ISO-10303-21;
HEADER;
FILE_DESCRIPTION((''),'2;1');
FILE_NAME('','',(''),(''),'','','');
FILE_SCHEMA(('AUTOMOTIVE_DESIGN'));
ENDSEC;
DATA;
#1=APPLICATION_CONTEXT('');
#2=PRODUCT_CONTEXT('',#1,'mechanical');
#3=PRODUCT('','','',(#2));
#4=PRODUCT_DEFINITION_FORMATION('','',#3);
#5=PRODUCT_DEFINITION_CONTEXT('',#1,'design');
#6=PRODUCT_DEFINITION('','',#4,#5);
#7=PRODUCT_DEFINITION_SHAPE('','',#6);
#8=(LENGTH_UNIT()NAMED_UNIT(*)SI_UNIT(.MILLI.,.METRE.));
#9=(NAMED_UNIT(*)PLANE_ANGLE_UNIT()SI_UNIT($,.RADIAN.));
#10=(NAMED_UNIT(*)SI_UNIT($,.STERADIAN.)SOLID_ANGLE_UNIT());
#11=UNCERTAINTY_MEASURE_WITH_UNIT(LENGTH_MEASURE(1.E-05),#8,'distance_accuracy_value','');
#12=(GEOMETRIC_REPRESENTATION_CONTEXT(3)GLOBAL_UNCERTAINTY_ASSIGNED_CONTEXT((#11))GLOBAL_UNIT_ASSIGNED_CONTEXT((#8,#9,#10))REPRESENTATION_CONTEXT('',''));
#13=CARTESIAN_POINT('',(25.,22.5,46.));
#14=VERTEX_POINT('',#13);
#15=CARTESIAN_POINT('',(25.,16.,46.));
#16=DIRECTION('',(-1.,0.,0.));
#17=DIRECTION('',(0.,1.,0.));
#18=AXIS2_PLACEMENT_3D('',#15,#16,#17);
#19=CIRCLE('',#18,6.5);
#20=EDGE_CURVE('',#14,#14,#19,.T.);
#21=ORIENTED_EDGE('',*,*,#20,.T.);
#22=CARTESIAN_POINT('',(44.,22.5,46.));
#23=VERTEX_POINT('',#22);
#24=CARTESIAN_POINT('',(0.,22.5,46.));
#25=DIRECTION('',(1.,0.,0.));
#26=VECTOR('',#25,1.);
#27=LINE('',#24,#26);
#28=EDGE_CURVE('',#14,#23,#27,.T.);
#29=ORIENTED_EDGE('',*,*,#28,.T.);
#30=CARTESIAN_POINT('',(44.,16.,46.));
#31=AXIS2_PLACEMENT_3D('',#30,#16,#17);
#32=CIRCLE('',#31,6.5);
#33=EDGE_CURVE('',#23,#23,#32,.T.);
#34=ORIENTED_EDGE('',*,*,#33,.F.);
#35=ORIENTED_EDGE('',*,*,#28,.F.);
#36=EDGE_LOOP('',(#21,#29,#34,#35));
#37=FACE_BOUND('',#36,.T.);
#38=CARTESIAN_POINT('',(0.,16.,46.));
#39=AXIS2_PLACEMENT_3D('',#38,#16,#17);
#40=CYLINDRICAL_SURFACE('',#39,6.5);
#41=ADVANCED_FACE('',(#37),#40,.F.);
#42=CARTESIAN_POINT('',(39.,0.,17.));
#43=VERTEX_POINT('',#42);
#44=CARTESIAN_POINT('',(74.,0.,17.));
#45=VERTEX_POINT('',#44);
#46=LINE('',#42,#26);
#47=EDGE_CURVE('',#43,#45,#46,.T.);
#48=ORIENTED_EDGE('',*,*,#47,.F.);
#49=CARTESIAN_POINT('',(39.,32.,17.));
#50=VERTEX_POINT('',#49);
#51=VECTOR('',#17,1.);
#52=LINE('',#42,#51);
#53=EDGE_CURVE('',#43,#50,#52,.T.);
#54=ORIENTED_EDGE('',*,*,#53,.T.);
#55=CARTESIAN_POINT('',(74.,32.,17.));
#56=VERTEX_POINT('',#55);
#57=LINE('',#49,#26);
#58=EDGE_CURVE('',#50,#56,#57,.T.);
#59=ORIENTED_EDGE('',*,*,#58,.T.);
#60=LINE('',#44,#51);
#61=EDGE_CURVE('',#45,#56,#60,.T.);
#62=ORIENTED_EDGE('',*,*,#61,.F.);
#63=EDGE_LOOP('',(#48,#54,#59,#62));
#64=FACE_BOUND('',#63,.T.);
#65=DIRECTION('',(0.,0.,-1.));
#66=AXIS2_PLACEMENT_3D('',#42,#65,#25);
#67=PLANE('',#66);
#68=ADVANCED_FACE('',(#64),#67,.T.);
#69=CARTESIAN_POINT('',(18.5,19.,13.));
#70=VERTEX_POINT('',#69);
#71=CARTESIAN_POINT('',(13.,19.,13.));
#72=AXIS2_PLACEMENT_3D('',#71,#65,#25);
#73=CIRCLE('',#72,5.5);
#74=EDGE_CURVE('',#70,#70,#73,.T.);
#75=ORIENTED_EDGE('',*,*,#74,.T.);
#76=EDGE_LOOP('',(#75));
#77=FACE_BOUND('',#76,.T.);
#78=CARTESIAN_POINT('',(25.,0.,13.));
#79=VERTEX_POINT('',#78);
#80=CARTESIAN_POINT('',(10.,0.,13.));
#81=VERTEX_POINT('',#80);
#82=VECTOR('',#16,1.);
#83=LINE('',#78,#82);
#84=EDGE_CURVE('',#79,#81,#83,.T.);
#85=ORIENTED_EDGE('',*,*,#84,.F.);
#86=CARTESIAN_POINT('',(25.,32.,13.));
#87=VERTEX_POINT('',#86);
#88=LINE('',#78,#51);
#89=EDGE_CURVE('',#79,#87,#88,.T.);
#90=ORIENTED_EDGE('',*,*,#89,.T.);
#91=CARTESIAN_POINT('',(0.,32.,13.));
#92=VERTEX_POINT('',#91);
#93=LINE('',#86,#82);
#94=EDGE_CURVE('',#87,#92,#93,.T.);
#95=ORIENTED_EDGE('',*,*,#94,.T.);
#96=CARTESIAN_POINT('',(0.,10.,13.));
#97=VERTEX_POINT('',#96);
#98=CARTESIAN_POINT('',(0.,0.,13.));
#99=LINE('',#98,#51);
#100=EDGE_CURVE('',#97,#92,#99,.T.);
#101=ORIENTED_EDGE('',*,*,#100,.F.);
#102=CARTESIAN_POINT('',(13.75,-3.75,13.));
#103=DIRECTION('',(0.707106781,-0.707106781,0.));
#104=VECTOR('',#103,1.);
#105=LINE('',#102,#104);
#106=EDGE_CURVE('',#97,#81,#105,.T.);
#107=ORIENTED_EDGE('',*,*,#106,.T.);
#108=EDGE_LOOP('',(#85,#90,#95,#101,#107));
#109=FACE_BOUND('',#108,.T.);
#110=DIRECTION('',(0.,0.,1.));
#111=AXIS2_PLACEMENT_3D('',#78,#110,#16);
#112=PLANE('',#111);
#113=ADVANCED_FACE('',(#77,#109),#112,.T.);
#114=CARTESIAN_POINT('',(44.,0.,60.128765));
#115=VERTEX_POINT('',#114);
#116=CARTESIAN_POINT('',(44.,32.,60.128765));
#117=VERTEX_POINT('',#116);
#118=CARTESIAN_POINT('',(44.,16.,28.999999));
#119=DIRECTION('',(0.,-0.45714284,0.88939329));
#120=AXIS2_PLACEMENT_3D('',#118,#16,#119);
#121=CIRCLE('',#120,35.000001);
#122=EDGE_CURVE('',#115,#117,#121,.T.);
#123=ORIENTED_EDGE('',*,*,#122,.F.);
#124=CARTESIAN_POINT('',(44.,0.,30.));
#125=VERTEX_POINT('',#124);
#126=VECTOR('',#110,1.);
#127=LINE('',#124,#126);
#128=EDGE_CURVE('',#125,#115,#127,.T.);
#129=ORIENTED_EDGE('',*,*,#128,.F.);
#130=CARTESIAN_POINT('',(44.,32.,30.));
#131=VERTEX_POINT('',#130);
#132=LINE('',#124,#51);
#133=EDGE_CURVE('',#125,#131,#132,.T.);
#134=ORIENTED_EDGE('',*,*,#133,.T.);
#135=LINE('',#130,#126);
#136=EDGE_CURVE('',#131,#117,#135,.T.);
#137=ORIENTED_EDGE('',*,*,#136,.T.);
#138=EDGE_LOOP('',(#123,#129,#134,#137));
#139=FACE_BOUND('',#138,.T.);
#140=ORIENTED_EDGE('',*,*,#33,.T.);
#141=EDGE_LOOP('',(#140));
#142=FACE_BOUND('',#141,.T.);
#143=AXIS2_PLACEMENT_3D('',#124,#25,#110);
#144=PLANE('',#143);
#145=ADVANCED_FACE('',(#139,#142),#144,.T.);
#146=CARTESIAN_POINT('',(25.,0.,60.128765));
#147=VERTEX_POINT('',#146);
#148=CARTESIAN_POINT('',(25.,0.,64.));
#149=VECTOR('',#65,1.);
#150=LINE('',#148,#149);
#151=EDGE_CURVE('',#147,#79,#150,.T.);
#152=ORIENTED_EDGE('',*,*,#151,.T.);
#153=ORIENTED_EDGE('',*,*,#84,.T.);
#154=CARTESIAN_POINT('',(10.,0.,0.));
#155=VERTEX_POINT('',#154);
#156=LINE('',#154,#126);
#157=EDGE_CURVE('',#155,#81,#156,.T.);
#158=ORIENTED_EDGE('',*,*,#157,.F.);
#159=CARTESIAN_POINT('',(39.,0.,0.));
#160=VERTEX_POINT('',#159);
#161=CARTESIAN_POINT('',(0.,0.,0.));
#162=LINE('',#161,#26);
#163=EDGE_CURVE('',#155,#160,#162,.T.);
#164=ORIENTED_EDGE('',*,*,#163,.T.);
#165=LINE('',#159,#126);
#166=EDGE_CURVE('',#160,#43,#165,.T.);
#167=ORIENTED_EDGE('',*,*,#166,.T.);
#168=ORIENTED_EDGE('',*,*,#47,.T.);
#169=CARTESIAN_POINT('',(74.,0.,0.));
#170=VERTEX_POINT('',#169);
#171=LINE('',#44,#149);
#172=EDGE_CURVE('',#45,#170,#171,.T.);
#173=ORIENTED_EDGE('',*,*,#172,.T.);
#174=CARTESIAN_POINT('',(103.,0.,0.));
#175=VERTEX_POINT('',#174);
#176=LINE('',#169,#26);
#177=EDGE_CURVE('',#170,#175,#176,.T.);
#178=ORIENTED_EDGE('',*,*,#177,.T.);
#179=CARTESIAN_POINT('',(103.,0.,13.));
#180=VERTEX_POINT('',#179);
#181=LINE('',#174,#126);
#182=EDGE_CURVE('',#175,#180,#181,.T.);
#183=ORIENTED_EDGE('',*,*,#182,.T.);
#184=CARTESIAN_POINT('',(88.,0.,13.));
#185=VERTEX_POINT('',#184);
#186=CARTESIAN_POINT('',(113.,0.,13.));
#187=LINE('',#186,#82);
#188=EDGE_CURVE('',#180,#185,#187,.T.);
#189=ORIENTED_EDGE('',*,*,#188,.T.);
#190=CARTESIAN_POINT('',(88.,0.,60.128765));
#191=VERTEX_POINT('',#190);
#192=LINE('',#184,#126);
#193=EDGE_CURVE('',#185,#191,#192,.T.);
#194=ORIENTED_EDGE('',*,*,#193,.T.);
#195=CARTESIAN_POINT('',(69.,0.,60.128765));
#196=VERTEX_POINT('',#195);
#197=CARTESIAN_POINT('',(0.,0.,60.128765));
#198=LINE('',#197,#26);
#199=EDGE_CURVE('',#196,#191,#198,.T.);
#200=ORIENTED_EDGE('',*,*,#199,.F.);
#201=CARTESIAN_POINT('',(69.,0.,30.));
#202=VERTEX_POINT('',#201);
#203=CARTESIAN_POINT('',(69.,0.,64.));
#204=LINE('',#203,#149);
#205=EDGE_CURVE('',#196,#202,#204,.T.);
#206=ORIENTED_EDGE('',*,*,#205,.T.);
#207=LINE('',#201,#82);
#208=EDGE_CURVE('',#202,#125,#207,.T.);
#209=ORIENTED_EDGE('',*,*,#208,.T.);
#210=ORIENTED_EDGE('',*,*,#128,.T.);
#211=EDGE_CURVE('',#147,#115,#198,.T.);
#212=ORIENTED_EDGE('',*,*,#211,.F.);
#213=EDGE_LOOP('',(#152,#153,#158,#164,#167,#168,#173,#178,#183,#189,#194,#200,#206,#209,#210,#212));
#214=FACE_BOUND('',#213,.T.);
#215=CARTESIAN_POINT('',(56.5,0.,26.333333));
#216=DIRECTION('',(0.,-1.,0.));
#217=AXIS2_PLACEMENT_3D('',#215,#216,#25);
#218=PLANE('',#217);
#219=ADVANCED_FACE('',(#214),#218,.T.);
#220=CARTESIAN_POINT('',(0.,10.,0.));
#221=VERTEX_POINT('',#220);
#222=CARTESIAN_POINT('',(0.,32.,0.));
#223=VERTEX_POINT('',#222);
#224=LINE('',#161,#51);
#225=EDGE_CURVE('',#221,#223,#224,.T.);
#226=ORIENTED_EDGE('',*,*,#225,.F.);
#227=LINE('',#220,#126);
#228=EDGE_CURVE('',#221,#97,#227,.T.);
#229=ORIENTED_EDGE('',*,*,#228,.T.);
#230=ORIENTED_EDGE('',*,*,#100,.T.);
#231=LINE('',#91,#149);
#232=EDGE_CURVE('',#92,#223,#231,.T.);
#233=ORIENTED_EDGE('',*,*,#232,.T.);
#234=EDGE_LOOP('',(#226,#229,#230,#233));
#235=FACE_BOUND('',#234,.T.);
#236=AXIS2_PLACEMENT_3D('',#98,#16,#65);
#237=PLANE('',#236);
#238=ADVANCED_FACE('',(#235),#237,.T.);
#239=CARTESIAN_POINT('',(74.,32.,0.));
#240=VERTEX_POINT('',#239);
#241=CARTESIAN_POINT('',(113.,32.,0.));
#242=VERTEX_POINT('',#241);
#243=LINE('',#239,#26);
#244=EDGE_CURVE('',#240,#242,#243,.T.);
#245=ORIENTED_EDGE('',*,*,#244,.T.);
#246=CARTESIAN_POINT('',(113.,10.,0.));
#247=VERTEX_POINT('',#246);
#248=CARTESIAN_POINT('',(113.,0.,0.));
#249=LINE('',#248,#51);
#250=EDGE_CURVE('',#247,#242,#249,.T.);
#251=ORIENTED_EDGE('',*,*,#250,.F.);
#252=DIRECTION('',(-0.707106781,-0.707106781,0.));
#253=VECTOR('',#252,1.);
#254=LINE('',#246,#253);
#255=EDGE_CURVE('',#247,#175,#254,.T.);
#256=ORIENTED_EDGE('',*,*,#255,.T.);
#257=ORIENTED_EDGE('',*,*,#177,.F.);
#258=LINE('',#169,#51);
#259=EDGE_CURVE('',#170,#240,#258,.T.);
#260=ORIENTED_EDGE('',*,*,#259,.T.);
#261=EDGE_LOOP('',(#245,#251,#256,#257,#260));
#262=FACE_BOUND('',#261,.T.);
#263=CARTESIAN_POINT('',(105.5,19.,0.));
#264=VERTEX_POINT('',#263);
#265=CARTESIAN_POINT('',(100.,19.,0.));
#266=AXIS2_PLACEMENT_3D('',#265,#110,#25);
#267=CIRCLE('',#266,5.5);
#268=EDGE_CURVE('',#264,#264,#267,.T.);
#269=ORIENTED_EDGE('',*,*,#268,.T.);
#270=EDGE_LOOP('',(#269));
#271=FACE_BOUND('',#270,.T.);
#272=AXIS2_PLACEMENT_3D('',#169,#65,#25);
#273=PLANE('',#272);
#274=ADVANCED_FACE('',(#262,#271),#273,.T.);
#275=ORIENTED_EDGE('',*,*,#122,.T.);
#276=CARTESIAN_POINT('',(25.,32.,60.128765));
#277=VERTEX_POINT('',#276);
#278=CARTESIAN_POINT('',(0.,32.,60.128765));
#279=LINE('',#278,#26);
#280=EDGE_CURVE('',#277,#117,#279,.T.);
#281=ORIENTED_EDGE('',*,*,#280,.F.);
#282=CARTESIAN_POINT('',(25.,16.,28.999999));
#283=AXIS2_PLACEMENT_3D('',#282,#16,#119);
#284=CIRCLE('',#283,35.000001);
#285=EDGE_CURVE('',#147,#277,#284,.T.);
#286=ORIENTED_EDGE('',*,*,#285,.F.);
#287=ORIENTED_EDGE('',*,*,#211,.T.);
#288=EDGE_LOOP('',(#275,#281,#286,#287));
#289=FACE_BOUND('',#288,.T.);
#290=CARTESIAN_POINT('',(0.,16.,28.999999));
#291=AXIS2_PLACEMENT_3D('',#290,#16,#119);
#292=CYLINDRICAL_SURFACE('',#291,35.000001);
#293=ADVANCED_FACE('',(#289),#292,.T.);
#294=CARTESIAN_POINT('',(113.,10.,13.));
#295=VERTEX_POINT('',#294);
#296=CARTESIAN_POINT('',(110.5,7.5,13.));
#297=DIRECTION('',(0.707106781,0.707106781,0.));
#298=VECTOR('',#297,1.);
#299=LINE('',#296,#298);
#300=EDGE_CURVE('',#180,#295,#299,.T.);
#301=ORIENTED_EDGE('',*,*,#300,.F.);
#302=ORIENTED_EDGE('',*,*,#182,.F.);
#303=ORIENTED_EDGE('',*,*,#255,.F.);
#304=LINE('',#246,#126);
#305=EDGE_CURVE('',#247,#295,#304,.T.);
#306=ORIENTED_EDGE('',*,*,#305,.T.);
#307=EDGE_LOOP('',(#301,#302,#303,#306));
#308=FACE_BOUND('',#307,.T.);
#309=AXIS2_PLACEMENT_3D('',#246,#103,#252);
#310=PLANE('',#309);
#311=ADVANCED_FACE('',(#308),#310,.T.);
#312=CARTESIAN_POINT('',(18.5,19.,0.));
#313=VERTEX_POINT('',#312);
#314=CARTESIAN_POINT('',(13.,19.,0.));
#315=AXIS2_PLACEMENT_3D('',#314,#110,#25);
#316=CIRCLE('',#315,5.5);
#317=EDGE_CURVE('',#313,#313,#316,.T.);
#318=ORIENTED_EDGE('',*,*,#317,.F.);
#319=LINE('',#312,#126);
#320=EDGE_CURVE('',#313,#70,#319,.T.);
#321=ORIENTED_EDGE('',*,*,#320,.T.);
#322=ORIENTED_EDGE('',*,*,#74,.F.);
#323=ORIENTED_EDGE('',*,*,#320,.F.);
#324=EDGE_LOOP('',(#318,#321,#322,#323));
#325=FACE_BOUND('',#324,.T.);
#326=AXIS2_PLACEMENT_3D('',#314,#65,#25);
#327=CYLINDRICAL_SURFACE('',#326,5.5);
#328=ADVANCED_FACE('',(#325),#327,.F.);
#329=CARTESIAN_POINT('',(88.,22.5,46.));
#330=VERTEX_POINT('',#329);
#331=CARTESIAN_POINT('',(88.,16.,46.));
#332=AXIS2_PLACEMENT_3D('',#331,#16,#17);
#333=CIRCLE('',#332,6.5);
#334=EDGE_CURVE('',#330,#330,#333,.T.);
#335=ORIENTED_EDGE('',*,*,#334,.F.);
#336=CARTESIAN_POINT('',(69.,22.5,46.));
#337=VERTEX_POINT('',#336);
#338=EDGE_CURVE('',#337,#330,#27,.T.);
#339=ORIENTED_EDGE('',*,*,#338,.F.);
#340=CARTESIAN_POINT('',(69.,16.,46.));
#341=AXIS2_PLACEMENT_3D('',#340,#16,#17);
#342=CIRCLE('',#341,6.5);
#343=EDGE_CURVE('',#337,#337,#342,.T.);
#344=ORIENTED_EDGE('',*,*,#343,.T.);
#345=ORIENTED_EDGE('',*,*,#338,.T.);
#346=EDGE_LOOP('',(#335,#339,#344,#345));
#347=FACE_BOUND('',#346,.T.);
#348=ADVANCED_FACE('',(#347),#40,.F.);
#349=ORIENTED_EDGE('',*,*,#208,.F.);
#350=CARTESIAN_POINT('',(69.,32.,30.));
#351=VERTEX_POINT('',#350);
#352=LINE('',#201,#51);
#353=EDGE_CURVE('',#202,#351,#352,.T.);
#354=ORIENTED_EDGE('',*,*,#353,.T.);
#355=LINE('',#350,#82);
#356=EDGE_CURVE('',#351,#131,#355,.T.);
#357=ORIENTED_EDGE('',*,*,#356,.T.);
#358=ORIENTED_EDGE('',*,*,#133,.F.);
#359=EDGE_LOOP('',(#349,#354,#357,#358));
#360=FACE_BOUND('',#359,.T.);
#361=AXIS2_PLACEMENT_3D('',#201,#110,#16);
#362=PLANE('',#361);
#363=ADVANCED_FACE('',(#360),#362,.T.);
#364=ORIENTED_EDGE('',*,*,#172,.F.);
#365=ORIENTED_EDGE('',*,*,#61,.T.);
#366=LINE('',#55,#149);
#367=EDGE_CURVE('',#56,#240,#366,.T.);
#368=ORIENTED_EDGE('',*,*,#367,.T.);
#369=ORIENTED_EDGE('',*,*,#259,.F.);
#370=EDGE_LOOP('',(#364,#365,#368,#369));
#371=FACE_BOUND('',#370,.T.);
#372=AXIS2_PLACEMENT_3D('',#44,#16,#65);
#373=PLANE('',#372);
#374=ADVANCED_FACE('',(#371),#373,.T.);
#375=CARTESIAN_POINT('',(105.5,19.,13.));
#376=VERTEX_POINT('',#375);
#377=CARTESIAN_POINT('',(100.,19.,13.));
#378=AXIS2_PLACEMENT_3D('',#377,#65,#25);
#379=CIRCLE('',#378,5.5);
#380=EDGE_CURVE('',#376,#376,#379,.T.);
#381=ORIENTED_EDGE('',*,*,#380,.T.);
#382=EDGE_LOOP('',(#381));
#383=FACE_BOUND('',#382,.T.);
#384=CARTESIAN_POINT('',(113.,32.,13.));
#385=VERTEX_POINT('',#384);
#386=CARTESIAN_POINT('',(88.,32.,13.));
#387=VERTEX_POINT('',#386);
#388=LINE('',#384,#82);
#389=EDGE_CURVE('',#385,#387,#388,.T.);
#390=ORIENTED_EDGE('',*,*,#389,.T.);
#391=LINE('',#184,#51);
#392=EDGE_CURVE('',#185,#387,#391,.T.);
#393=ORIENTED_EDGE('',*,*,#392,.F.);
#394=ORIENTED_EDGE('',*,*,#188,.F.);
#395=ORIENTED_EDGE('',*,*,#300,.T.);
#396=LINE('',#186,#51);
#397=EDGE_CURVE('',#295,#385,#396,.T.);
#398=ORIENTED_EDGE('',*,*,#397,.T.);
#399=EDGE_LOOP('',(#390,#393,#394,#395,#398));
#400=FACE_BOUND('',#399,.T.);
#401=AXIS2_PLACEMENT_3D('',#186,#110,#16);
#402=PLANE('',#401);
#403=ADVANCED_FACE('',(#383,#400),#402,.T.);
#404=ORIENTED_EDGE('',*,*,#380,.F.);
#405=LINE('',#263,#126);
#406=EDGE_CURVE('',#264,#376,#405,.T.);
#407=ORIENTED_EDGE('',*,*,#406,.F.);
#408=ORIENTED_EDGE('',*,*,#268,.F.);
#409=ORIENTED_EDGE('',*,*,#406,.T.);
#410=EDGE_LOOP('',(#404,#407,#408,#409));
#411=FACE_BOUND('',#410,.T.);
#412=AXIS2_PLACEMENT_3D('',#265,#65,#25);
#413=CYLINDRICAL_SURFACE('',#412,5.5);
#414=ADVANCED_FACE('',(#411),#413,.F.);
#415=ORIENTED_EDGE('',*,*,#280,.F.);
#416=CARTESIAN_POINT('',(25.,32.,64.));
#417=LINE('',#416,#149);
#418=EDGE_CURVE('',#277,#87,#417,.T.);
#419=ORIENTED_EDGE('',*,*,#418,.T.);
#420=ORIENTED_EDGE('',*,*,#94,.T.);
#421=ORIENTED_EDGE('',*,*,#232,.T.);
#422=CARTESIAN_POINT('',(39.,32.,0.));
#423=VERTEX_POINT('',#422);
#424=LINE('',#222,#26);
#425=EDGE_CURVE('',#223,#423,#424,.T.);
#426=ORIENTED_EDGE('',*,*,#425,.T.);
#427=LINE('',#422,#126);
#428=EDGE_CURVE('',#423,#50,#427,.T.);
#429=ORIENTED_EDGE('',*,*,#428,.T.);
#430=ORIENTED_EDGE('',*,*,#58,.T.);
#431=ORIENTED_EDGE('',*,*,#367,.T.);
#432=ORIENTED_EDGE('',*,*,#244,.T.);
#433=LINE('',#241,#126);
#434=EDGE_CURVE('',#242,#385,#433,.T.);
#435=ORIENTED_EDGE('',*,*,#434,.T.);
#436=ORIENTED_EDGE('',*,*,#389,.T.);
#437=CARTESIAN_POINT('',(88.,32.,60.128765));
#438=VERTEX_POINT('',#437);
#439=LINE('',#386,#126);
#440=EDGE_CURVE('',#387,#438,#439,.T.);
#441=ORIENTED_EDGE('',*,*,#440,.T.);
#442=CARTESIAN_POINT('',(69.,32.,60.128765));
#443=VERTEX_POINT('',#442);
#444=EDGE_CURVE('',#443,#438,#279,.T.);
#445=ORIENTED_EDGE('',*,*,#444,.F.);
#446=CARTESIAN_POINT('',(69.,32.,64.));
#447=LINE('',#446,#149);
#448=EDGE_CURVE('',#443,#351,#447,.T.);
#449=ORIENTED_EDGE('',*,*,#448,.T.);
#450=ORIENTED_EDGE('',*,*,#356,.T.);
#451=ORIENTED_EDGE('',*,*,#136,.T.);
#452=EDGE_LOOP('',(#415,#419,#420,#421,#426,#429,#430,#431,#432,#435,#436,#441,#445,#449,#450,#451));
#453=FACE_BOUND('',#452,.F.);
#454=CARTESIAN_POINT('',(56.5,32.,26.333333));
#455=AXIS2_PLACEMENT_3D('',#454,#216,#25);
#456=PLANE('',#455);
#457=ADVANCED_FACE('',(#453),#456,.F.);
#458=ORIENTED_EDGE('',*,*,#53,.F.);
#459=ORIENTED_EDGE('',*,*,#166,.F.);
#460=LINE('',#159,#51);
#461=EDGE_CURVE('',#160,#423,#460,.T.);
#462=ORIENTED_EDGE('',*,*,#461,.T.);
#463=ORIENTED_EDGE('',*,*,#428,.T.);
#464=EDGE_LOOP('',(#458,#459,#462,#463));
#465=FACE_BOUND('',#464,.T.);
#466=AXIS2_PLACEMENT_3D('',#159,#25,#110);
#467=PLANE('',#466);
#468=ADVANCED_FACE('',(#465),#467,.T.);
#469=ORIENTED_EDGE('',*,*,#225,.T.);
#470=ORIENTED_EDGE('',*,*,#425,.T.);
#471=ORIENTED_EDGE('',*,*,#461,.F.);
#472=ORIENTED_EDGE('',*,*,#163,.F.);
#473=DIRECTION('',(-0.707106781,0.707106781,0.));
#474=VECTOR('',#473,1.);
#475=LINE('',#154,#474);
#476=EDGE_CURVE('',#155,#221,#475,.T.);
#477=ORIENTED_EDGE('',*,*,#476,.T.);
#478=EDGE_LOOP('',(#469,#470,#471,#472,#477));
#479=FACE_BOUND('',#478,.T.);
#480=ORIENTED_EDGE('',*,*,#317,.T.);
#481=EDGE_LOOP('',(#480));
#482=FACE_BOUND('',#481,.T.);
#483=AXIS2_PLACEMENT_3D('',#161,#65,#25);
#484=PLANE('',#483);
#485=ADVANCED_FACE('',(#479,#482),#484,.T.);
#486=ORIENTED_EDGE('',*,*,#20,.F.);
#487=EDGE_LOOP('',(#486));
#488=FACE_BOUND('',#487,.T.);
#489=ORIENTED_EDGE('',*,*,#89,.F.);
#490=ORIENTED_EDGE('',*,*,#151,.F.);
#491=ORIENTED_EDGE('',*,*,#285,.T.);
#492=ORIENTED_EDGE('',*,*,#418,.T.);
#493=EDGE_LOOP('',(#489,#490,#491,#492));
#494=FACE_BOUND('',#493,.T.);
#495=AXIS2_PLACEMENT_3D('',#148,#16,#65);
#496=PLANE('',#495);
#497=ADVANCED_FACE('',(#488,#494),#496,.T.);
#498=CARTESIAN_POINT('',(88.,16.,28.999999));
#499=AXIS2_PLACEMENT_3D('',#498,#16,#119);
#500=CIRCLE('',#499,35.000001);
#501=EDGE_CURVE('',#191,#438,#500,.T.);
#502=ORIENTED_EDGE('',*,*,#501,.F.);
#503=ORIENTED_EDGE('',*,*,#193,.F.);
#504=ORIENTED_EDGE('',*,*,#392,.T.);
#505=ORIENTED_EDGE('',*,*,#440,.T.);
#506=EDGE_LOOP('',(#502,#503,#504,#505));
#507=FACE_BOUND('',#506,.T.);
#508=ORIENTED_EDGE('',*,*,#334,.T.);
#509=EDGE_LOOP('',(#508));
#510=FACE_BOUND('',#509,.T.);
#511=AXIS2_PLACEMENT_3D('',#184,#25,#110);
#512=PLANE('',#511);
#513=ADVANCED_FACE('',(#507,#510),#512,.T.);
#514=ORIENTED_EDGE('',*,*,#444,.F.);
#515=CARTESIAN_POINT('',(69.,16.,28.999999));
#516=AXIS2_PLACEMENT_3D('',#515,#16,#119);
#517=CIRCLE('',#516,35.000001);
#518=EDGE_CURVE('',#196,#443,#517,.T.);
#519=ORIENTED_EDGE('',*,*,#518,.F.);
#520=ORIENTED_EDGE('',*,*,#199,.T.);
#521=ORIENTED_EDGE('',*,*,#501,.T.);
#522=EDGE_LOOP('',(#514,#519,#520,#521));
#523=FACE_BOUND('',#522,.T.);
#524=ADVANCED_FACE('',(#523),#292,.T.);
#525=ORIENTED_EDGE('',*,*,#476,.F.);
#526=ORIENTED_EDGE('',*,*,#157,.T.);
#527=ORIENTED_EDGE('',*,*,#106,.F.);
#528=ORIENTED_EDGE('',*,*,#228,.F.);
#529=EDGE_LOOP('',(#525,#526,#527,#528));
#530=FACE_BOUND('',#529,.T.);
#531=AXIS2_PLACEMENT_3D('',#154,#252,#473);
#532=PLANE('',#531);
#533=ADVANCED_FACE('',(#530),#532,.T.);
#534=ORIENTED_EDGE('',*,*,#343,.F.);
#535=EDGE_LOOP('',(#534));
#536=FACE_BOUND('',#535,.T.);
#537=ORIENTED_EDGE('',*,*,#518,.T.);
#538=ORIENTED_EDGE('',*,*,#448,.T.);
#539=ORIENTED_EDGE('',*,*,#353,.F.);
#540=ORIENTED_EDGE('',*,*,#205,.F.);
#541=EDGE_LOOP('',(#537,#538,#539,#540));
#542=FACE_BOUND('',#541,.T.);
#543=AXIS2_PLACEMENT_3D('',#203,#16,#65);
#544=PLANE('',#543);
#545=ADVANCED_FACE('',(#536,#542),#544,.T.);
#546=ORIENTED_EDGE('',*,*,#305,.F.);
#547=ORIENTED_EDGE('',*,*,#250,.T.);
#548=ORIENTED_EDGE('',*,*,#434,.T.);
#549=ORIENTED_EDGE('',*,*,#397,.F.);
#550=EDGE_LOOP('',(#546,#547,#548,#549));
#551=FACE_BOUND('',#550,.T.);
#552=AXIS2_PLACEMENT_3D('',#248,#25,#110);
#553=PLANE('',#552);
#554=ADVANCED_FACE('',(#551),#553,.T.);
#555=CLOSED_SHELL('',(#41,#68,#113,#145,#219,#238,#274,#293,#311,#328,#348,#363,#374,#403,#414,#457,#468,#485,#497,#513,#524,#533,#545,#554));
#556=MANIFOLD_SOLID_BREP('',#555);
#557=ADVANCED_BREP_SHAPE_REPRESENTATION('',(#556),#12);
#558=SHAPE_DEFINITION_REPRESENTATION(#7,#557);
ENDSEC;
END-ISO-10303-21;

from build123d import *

# Parameters (mm, degrees)
F1_DEPTH = 32
F2_R     = 6.5
F3_DEPTH = 113.001
F4_R     = 5.5
F5_DEPTH = 64.001


with BuildPart() as f1:
    # F0 (on Front) → F1 (new body)
    with BuildSketch(Plane.XZ):
        Polygon((0, 13), (0, 0), (39, 0), (39, 17), (74, 17), (74, 0), (113, 0), (113, 13), (88, 13), (88, 64), (69, 64), (69, 30), (44, 30), (44, 64), (25, 64), (25, 13), align=None)
    extrude(amount=-F1_DEPTH)

    # F2 (on Right) → F3 (cut, through all)
    with BuildSketch(Plane.YZ):
        with BuildLine():
            Line((32, 80.833676), (0, 80.833676))
            Line((0, 80.833676), (0, 60.128765))
            ThreePointArc((0, 60.128765), (16, 64), (32, 60.128765))
            Line((32, 60.128765), (32, 80.833676))
        make_face()
        with Locations((16, 46)):
            Circle(F2_R)
    extrude(amount=F3_DEPTH, mode=Mode.SUBTRACT)

    # F4 (on Top) → F5 (cut, through all)
    with BuildSketch(Plane.XY):
        with Locations((13, 19)):
            Circle(F4_R)
        with Locations((100, 19)):
            Circle(F4_R)
        Polygon((10, 0), (0, 10), (0, 0), align=None)
        Polygon((103, 0), (113, 0), (113, 10), align=None)
    extrude(amount=F5_DEPTH, mode=Mode.SUBTRACT)


solid = f1.part
